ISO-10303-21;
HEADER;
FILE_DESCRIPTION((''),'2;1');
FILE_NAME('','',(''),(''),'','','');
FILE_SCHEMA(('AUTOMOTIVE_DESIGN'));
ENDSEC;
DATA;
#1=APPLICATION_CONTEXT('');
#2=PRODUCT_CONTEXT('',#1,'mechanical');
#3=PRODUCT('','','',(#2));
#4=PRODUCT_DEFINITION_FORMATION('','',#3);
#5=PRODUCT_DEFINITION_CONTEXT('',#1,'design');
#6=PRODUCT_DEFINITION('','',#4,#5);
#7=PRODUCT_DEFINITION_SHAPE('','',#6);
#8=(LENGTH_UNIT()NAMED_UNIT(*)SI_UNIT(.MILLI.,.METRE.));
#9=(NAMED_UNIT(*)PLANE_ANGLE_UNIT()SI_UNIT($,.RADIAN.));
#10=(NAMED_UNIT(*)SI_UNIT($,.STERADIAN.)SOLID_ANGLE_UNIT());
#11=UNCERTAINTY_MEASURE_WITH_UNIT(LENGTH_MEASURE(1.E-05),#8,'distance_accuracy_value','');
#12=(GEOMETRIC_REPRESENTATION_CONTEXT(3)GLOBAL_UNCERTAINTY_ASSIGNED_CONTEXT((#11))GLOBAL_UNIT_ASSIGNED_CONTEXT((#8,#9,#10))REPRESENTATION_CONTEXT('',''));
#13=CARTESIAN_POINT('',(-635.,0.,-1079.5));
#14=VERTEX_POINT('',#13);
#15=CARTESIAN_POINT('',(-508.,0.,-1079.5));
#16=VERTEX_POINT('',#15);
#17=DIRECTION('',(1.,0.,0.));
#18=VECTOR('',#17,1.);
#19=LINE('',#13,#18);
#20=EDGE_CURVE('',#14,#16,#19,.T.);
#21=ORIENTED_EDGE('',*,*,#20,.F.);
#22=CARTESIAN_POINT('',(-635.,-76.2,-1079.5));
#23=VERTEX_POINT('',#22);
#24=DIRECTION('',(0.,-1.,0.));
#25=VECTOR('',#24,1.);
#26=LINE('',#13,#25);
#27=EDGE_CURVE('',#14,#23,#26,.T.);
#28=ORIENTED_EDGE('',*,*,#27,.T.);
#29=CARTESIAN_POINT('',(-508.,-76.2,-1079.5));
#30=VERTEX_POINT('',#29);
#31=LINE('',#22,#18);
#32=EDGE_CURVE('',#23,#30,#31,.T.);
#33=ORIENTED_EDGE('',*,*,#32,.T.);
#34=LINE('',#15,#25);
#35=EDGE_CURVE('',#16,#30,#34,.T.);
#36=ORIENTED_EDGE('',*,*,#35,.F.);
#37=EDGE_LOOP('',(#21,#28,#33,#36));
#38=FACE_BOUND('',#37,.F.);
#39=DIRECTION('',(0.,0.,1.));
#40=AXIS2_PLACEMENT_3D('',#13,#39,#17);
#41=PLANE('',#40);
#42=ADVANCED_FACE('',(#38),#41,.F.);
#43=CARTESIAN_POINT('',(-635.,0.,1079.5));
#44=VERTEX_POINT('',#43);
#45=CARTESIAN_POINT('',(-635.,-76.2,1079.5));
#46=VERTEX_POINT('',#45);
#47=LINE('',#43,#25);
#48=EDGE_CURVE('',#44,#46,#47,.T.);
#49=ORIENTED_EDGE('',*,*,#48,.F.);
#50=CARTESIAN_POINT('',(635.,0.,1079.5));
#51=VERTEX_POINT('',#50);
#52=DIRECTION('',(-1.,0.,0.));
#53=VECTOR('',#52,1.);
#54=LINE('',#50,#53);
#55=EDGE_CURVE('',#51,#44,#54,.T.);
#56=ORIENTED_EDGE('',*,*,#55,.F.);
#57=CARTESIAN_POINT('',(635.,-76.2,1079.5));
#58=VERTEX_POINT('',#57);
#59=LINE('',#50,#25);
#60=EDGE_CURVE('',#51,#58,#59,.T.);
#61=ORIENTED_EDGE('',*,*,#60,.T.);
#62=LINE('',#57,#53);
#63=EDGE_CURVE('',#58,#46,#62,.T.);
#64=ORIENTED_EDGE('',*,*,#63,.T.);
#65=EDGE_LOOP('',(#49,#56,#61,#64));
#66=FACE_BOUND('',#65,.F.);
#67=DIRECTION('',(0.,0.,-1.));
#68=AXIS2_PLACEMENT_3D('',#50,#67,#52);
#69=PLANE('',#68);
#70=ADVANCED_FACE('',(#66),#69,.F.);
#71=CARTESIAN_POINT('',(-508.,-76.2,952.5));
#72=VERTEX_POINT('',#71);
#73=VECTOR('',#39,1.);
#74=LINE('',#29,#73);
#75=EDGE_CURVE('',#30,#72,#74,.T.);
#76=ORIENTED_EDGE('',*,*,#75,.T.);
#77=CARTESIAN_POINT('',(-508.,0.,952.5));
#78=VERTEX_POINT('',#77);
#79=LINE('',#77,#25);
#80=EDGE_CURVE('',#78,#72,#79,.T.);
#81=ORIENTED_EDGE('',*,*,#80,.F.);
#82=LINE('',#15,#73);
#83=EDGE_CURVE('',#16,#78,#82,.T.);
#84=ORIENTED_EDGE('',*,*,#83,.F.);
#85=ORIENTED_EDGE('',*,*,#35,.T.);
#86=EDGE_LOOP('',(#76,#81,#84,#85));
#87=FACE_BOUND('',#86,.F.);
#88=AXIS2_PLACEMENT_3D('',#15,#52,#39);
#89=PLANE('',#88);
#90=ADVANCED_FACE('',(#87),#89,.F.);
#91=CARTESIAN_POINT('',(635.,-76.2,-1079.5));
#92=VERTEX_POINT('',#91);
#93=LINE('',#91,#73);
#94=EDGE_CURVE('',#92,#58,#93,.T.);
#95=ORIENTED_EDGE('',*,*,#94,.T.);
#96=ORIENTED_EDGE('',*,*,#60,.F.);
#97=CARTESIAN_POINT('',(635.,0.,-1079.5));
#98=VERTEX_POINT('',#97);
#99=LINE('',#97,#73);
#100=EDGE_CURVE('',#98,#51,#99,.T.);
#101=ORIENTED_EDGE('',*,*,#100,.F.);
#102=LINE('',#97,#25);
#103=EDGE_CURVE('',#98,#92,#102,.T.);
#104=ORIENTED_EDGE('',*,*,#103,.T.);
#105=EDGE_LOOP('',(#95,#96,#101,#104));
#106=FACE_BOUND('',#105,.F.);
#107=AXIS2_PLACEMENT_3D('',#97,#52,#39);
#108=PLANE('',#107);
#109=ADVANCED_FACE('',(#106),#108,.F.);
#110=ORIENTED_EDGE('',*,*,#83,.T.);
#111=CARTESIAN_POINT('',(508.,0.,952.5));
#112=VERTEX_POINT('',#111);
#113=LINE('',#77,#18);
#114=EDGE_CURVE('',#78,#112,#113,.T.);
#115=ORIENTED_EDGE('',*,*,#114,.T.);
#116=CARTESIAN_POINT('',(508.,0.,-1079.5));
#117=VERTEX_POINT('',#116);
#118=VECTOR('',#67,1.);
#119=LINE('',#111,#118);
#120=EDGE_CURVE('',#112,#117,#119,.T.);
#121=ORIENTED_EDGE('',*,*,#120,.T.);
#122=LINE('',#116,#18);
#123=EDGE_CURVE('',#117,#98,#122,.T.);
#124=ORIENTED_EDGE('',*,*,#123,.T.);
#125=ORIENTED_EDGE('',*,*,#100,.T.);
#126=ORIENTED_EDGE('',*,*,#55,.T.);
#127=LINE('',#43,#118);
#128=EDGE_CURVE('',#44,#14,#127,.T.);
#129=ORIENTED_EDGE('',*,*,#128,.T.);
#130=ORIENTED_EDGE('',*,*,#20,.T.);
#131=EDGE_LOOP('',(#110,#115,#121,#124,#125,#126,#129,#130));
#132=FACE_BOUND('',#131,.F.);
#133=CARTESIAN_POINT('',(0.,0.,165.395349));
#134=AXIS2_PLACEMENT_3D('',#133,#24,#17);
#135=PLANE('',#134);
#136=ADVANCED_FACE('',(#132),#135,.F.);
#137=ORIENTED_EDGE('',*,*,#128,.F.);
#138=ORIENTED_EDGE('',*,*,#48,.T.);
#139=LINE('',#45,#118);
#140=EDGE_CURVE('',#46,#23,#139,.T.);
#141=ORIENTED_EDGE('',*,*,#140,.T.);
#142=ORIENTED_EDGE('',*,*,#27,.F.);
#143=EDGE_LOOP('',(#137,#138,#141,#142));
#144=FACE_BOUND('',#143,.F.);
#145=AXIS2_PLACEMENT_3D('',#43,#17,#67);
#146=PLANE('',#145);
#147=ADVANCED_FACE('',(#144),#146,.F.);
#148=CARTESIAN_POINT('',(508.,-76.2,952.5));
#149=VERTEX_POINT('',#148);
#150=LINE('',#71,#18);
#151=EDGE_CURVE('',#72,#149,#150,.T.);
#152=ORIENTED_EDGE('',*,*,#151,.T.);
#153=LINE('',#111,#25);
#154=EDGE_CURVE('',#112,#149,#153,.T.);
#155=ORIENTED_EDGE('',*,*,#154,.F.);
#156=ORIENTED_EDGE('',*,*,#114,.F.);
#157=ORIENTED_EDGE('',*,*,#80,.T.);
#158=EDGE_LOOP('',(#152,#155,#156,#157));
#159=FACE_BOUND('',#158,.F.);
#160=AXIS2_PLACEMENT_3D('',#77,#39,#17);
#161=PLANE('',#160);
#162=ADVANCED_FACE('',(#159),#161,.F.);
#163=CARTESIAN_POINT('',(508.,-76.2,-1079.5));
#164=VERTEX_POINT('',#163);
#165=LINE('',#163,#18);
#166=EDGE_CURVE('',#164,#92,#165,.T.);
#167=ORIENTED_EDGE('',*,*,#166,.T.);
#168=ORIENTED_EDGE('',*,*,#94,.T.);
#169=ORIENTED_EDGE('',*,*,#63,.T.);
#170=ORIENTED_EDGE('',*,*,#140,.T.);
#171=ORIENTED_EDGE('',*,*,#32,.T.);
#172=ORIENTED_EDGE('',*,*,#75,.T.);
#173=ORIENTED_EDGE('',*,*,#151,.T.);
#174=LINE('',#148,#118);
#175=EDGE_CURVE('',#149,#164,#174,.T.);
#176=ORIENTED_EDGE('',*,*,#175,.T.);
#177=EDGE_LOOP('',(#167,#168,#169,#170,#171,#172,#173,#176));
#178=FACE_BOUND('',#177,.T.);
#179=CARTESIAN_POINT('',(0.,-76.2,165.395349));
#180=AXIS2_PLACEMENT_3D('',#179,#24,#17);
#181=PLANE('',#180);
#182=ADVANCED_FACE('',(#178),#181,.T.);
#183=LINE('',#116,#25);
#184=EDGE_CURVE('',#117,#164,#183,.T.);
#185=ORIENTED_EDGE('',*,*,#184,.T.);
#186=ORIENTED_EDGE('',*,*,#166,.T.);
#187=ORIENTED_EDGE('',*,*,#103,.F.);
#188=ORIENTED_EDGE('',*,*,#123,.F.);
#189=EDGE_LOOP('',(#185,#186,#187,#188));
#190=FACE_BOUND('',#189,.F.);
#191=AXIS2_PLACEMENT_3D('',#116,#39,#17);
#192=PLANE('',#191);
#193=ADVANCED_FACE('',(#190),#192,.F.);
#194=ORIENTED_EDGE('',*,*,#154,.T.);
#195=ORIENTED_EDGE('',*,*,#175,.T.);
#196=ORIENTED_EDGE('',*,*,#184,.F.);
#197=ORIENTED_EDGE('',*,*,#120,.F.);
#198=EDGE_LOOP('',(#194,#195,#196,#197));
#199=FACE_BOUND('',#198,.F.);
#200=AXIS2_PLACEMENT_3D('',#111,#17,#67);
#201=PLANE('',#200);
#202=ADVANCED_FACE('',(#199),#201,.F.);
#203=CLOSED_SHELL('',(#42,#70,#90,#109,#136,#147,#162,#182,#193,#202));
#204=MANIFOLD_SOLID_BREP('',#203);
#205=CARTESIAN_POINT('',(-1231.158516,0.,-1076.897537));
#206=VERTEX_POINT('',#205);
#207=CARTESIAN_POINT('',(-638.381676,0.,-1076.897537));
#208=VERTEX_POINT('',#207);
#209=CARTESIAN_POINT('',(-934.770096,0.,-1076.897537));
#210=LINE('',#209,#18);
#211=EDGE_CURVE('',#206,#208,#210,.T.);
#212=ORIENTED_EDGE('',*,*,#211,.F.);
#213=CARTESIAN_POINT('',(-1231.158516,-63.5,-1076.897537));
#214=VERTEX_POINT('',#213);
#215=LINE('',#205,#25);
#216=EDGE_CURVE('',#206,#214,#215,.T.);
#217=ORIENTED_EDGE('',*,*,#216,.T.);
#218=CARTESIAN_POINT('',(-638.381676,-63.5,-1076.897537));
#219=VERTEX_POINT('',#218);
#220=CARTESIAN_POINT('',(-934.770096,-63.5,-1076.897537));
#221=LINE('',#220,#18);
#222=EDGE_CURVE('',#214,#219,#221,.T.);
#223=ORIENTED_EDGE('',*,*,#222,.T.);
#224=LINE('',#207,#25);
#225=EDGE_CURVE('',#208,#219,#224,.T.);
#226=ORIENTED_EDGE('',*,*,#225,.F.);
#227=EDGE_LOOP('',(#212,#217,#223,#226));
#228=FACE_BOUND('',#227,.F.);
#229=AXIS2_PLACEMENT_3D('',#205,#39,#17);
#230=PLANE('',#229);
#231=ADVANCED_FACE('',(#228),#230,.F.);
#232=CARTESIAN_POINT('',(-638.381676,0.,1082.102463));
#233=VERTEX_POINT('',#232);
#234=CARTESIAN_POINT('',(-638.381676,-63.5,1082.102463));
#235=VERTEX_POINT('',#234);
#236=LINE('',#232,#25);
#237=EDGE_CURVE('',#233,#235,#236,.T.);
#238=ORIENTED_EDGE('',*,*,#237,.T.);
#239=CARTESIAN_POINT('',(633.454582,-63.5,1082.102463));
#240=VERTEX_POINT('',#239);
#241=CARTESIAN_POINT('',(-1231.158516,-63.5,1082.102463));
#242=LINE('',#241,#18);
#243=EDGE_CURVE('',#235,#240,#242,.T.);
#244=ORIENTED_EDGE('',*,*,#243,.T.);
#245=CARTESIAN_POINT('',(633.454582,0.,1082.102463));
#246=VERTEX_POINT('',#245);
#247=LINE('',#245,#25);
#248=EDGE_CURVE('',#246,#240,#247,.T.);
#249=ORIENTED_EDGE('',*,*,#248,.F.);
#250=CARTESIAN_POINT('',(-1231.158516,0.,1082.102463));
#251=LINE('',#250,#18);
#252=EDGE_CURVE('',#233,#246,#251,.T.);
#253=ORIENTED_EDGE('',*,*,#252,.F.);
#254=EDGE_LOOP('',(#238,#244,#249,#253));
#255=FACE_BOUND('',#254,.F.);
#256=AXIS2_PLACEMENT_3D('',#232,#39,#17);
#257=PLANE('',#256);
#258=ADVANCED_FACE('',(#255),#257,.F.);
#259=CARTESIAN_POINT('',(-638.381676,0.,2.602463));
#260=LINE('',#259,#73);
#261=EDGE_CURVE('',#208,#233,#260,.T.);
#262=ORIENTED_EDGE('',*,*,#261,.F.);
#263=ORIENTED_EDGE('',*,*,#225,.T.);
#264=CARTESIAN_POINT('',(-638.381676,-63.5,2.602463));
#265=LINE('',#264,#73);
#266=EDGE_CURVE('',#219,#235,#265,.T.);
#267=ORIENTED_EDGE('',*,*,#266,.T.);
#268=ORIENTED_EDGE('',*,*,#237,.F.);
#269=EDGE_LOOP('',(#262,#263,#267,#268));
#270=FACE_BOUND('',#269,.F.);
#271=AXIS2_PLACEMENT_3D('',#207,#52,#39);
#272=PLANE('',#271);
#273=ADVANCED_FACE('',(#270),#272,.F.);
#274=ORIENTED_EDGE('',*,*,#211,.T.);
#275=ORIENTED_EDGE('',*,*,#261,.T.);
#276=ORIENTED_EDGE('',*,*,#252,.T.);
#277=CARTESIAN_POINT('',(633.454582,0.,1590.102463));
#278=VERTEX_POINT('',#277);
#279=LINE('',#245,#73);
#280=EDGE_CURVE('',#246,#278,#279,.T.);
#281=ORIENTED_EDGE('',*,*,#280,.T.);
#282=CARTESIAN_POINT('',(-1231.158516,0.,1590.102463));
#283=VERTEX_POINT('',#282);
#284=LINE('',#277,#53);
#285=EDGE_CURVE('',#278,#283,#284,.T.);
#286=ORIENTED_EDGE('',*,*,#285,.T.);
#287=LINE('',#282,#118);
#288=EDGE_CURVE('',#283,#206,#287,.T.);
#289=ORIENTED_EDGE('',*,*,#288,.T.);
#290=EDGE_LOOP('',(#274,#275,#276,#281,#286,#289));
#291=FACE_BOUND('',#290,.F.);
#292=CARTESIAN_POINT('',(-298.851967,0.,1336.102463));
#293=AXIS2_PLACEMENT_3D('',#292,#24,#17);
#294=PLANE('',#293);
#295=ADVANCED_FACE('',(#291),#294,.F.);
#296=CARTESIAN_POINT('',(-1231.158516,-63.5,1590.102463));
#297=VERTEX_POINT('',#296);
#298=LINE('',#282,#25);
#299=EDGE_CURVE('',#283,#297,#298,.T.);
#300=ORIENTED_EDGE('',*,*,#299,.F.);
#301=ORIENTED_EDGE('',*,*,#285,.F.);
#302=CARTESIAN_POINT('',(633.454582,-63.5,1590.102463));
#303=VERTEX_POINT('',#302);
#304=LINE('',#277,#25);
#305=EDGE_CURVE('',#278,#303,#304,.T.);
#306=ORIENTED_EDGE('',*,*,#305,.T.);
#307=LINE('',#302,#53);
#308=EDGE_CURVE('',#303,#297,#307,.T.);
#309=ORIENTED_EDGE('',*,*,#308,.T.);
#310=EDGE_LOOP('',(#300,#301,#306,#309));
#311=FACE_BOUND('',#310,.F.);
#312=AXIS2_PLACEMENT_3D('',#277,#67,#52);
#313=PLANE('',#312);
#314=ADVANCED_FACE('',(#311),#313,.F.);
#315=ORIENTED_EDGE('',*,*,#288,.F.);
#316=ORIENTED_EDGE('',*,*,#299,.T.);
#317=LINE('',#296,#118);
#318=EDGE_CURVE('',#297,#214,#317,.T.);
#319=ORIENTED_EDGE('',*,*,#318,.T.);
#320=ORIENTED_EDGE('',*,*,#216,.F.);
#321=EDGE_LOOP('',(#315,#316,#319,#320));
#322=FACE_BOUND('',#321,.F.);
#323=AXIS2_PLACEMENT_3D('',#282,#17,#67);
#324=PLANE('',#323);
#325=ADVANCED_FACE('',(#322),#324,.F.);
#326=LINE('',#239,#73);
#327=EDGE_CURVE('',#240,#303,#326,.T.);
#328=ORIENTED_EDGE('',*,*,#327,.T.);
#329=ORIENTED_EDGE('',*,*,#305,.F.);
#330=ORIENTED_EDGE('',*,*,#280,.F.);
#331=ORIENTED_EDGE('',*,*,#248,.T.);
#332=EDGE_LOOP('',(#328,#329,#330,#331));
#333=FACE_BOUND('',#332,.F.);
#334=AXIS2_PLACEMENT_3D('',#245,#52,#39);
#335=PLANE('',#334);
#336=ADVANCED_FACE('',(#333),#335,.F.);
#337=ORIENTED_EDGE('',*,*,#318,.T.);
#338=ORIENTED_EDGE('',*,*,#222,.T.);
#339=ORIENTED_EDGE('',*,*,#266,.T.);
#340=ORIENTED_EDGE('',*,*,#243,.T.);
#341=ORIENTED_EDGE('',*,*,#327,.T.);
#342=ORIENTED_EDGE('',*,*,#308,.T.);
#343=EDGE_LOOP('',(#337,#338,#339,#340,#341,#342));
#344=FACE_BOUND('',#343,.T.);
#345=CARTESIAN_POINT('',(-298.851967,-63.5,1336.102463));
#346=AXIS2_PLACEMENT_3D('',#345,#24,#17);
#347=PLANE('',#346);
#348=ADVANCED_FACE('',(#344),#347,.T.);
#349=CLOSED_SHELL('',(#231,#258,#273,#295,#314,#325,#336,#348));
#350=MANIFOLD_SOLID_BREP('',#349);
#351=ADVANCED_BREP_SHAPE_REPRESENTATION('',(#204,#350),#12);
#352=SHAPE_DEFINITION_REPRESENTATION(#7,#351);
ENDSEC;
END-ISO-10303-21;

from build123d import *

# Parameters (mm, degrees)
F1_DEPTH = 76.2
F2_W     = 592.77684
F2_H     = 2159
F3_DEPTH = 63.5


with BuildPart() as f1:
    # F0 (on Front) → F1 (new body)
    with BuildSketch(Plane.XZ):
        Polygon((635, 1079.5), (-635, 1079.5), (-635, -1079.5), (-508, -1079.5), (-508, 952.5), (508, 952.5), (508, -1079.5), (635, -1079.5), align=None)
    extrude(amount=F1_DEPTH)


with BuildPart() as f3:
    # F2 (on Front) → F3 (new body)
    with BuildSketch(Plane.XZ):
        Polygon((-638.381676, 1082.102463), (633.454582, 1082.102463), (633.454582, 1590.102463), (-1231.158516, 1590.102463), (-1231.158516, 1082.102463), align=None)
        with Locations((-934.770096, 2.602463)):
            Rectangle(F2_W, F2_H)
    extrude(amount=F3_DEPTH)


solid = Compound([f1.part, f3.part])
